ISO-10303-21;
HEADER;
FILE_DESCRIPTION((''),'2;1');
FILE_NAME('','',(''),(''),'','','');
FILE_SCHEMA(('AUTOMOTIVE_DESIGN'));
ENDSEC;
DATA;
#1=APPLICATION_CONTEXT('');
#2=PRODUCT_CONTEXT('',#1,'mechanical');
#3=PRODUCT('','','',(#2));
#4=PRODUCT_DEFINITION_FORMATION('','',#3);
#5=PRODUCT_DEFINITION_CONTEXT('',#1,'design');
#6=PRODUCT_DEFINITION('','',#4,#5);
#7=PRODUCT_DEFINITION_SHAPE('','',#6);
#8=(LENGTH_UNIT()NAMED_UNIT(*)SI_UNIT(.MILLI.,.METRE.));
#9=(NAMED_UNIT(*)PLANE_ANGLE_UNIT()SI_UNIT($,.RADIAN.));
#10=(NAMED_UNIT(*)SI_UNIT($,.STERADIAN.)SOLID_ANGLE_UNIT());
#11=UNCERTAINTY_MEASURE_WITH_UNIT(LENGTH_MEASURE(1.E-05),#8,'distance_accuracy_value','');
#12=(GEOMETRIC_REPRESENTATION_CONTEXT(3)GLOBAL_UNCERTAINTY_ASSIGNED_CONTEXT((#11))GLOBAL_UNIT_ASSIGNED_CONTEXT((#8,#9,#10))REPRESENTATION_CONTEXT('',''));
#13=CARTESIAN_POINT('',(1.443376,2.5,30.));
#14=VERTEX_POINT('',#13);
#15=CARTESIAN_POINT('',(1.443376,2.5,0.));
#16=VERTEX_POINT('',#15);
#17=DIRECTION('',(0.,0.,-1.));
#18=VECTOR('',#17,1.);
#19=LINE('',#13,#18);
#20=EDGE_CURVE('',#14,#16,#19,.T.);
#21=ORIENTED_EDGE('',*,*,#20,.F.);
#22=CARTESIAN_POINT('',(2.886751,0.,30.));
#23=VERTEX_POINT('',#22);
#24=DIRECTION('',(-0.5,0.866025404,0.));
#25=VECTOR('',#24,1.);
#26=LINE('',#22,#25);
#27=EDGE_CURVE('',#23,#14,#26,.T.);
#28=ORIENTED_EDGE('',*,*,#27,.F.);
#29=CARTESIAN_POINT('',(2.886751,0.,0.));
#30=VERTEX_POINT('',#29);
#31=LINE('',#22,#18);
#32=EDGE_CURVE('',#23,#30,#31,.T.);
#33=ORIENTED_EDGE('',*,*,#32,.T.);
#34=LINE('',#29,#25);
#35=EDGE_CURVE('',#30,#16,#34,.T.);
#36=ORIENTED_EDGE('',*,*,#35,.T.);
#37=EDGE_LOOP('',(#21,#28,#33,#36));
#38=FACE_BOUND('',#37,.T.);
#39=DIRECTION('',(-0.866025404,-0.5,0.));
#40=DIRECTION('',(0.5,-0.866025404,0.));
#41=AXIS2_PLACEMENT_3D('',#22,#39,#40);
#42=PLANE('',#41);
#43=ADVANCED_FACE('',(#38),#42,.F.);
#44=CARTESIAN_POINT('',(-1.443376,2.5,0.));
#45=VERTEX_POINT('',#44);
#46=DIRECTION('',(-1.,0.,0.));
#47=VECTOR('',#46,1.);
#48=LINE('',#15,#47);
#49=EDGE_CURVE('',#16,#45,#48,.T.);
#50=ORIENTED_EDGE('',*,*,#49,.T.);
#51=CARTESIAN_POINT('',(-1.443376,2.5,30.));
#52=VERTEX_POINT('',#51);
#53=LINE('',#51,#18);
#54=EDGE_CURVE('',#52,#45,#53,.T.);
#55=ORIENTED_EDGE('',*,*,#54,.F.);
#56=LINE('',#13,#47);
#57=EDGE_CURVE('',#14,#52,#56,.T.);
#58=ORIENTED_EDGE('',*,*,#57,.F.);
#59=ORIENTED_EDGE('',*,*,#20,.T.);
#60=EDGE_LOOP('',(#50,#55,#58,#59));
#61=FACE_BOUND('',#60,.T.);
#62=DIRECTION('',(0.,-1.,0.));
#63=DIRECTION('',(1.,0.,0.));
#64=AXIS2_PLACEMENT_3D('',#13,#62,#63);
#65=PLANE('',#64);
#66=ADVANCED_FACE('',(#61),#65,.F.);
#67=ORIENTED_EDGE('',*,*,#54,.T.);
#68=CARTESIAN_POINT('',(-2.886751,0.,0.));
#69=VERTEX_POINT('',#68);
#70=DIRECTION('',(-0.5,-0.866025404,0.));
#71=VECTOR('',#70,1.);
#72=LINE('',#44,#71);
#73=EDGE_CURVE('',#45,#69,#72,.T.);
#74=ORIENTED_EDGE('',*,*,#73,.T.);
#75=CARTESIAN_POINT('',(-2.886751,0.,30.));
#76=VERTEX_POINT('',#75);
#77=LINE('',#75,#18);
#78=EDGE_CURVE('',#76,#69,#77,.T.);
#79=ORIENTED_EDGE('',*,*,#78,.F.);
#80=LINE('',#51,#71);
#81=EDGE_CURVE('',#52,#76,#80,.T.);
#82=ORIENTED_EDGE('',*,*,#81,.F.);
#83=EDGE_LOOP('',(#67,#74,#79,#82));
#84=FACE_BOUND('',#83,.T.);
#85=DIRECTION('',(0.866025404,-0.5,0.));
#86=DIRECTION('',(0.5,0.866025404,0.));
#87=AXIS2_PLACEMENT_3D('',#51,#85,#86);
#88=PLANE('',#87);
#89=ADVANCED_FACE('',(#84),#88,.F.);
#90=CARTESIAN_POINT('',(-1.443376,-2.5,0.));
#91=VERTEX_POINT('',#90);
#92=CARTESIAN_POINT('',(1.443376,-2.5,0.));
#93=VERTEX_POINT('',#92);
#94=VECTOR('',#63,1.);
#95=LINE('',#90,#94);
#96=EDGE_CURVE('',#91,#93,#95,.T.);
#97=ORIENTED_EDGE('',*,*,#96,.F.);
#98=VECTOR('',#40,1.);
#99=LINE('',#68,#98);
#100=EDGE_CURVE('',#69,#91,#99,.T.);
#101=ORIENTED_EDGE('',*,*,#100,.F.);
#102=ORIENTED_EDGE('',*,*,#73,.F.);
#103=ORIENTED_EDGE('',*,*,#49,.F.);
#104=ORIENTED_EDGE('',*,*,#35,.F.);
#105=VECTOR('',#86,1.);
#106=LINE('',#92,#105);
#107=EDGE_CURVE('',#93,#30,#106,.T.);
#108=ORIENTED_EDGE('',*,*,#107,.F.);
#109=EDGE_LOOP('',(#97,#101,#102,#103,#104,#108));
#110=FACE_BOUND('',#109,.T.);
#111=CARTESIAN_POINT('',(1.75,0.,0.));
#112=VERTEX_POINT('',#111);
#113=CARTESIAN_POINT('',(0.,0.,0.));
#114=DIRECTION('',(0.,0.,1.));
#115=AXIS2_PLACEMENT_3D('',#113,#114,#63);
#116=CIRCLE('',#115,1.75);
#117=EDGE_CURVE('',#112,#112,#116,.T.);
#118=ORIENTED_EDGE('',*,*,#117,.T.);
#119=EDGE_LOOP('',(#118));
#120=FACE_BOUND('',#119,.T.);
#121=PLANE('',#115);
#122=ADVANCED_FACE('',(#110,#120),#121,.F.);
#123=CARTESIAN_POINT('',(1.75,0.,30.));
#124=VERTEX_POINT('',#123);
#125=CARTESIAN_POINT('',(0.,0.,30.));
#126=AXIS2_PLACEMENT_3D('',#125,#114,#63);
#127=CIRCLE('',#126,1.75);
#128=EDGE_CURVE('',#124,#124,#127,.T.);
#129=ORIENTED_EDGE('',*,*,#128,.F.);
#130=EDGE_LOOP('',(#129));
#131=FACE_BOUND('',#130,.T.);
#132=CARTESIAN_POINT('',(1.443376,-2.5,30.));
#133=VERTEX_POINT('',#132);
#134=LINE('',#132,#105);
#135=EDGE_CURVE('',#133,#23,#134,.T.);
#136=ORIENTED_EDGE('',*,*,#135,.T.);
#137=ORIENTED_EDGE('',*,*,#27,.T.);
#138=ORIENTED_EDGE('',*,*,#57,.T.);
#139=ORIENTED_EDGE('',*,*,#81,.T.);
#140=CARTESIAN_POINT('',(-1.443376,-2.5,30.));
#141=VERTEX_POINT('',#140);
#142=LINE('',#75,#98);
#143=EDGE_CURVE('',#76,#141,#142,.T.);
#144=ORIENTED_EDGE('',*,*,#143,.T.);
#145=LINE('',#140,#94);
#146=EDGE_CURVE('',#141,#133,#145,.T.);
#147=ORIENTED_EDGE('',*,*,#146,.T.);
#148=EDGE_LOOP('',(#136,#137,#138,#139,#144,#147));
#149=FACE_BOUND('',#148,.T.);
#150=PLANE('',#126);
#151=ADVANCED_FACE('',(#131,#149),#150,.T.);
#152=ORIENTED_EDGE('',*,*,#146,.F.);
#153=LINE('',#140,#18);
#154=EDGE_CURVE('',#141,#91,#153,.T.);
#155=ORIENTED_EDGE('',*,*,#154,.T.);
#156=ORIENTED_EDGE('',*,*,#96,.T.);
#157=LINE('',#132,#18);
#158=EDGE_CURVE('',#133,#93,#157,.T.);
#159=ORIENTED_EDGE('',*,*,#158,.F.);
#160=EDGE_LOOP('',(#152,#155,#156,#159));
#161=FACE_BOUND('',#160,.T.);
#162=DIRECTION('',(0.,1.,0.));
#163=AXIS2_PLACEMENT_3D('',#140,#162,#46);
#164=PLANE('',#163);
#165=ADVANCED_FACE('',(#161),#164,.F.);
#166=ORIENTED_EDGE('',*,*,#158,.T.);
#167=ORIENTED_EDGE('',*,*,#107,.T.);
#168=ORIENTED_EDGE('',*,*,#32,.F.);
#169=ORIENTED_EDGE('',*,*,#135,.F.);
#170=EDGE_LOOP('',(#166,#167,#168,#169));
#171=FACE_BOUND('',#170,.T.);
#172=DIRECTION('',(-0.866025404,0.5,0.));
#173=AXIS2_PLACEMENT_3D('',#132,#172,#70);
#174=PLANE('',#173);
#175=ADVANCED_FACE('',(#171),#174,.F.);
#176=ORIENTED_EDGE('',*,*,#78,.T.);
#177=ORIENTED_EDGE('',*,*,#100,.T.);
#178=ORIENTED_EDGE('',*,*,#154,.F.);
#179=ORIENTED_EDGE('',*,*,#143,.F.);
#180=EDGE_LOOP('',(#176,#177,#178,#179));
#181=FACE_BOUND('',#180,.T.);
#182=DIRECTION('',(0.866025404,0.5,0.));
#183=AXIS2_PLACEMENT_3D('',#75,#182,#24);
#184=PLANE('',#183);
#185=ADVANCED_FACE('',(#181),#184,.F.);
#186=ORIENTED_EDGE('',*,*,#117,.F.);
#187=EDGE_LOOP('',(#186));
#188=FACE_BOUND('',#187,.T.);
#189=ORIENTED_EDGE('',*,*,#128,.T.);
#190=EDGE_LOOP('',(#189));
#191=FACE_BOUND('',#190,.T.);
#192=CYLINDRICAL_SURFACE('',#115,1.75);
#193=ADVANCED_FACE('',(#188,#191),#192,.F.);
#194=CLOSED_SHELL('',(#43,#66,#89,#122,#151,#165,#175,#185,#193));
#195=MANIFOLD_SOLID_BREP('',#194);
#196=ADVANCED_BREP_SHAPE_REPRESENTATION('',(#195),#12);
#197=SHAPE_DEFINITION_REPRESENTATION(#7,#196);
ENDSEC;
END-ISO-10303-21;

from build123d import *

# Parameters (mm, degrees)
SALIENTE_EXTRUIR1_DEPTH = 30
CROQUIS2_R              = 1.75
CORTAR_EXTRUIR1_DEPTH   = 31.242078853


with BuildPart() as part:
    # Croquis1 → Saliente-Extruir1 (new body)
    with BuildSketch(Plane.XY):
        Polygon((2.886751346, 0), (1.443375673, 2.5), (-1.443375673, 2.5), (-2.886751346, 0), (-1.443375673, -2.5), (1.443375673, -2.5), align=None)
    extrude(amount=SALIENTE_EXTRUIR1_DEPTH)

    # Croquis2 → Cortar-Extruir1 (cut, through all)
    with BuildSketch(Plane.XY.offset(30)):
        Circle(CROQUIS2_R)
    extrude(amount=-CORTAR_EXTRUIR1_DEPTH, mode=Mode.SUBTRACT)


solid = part.part
